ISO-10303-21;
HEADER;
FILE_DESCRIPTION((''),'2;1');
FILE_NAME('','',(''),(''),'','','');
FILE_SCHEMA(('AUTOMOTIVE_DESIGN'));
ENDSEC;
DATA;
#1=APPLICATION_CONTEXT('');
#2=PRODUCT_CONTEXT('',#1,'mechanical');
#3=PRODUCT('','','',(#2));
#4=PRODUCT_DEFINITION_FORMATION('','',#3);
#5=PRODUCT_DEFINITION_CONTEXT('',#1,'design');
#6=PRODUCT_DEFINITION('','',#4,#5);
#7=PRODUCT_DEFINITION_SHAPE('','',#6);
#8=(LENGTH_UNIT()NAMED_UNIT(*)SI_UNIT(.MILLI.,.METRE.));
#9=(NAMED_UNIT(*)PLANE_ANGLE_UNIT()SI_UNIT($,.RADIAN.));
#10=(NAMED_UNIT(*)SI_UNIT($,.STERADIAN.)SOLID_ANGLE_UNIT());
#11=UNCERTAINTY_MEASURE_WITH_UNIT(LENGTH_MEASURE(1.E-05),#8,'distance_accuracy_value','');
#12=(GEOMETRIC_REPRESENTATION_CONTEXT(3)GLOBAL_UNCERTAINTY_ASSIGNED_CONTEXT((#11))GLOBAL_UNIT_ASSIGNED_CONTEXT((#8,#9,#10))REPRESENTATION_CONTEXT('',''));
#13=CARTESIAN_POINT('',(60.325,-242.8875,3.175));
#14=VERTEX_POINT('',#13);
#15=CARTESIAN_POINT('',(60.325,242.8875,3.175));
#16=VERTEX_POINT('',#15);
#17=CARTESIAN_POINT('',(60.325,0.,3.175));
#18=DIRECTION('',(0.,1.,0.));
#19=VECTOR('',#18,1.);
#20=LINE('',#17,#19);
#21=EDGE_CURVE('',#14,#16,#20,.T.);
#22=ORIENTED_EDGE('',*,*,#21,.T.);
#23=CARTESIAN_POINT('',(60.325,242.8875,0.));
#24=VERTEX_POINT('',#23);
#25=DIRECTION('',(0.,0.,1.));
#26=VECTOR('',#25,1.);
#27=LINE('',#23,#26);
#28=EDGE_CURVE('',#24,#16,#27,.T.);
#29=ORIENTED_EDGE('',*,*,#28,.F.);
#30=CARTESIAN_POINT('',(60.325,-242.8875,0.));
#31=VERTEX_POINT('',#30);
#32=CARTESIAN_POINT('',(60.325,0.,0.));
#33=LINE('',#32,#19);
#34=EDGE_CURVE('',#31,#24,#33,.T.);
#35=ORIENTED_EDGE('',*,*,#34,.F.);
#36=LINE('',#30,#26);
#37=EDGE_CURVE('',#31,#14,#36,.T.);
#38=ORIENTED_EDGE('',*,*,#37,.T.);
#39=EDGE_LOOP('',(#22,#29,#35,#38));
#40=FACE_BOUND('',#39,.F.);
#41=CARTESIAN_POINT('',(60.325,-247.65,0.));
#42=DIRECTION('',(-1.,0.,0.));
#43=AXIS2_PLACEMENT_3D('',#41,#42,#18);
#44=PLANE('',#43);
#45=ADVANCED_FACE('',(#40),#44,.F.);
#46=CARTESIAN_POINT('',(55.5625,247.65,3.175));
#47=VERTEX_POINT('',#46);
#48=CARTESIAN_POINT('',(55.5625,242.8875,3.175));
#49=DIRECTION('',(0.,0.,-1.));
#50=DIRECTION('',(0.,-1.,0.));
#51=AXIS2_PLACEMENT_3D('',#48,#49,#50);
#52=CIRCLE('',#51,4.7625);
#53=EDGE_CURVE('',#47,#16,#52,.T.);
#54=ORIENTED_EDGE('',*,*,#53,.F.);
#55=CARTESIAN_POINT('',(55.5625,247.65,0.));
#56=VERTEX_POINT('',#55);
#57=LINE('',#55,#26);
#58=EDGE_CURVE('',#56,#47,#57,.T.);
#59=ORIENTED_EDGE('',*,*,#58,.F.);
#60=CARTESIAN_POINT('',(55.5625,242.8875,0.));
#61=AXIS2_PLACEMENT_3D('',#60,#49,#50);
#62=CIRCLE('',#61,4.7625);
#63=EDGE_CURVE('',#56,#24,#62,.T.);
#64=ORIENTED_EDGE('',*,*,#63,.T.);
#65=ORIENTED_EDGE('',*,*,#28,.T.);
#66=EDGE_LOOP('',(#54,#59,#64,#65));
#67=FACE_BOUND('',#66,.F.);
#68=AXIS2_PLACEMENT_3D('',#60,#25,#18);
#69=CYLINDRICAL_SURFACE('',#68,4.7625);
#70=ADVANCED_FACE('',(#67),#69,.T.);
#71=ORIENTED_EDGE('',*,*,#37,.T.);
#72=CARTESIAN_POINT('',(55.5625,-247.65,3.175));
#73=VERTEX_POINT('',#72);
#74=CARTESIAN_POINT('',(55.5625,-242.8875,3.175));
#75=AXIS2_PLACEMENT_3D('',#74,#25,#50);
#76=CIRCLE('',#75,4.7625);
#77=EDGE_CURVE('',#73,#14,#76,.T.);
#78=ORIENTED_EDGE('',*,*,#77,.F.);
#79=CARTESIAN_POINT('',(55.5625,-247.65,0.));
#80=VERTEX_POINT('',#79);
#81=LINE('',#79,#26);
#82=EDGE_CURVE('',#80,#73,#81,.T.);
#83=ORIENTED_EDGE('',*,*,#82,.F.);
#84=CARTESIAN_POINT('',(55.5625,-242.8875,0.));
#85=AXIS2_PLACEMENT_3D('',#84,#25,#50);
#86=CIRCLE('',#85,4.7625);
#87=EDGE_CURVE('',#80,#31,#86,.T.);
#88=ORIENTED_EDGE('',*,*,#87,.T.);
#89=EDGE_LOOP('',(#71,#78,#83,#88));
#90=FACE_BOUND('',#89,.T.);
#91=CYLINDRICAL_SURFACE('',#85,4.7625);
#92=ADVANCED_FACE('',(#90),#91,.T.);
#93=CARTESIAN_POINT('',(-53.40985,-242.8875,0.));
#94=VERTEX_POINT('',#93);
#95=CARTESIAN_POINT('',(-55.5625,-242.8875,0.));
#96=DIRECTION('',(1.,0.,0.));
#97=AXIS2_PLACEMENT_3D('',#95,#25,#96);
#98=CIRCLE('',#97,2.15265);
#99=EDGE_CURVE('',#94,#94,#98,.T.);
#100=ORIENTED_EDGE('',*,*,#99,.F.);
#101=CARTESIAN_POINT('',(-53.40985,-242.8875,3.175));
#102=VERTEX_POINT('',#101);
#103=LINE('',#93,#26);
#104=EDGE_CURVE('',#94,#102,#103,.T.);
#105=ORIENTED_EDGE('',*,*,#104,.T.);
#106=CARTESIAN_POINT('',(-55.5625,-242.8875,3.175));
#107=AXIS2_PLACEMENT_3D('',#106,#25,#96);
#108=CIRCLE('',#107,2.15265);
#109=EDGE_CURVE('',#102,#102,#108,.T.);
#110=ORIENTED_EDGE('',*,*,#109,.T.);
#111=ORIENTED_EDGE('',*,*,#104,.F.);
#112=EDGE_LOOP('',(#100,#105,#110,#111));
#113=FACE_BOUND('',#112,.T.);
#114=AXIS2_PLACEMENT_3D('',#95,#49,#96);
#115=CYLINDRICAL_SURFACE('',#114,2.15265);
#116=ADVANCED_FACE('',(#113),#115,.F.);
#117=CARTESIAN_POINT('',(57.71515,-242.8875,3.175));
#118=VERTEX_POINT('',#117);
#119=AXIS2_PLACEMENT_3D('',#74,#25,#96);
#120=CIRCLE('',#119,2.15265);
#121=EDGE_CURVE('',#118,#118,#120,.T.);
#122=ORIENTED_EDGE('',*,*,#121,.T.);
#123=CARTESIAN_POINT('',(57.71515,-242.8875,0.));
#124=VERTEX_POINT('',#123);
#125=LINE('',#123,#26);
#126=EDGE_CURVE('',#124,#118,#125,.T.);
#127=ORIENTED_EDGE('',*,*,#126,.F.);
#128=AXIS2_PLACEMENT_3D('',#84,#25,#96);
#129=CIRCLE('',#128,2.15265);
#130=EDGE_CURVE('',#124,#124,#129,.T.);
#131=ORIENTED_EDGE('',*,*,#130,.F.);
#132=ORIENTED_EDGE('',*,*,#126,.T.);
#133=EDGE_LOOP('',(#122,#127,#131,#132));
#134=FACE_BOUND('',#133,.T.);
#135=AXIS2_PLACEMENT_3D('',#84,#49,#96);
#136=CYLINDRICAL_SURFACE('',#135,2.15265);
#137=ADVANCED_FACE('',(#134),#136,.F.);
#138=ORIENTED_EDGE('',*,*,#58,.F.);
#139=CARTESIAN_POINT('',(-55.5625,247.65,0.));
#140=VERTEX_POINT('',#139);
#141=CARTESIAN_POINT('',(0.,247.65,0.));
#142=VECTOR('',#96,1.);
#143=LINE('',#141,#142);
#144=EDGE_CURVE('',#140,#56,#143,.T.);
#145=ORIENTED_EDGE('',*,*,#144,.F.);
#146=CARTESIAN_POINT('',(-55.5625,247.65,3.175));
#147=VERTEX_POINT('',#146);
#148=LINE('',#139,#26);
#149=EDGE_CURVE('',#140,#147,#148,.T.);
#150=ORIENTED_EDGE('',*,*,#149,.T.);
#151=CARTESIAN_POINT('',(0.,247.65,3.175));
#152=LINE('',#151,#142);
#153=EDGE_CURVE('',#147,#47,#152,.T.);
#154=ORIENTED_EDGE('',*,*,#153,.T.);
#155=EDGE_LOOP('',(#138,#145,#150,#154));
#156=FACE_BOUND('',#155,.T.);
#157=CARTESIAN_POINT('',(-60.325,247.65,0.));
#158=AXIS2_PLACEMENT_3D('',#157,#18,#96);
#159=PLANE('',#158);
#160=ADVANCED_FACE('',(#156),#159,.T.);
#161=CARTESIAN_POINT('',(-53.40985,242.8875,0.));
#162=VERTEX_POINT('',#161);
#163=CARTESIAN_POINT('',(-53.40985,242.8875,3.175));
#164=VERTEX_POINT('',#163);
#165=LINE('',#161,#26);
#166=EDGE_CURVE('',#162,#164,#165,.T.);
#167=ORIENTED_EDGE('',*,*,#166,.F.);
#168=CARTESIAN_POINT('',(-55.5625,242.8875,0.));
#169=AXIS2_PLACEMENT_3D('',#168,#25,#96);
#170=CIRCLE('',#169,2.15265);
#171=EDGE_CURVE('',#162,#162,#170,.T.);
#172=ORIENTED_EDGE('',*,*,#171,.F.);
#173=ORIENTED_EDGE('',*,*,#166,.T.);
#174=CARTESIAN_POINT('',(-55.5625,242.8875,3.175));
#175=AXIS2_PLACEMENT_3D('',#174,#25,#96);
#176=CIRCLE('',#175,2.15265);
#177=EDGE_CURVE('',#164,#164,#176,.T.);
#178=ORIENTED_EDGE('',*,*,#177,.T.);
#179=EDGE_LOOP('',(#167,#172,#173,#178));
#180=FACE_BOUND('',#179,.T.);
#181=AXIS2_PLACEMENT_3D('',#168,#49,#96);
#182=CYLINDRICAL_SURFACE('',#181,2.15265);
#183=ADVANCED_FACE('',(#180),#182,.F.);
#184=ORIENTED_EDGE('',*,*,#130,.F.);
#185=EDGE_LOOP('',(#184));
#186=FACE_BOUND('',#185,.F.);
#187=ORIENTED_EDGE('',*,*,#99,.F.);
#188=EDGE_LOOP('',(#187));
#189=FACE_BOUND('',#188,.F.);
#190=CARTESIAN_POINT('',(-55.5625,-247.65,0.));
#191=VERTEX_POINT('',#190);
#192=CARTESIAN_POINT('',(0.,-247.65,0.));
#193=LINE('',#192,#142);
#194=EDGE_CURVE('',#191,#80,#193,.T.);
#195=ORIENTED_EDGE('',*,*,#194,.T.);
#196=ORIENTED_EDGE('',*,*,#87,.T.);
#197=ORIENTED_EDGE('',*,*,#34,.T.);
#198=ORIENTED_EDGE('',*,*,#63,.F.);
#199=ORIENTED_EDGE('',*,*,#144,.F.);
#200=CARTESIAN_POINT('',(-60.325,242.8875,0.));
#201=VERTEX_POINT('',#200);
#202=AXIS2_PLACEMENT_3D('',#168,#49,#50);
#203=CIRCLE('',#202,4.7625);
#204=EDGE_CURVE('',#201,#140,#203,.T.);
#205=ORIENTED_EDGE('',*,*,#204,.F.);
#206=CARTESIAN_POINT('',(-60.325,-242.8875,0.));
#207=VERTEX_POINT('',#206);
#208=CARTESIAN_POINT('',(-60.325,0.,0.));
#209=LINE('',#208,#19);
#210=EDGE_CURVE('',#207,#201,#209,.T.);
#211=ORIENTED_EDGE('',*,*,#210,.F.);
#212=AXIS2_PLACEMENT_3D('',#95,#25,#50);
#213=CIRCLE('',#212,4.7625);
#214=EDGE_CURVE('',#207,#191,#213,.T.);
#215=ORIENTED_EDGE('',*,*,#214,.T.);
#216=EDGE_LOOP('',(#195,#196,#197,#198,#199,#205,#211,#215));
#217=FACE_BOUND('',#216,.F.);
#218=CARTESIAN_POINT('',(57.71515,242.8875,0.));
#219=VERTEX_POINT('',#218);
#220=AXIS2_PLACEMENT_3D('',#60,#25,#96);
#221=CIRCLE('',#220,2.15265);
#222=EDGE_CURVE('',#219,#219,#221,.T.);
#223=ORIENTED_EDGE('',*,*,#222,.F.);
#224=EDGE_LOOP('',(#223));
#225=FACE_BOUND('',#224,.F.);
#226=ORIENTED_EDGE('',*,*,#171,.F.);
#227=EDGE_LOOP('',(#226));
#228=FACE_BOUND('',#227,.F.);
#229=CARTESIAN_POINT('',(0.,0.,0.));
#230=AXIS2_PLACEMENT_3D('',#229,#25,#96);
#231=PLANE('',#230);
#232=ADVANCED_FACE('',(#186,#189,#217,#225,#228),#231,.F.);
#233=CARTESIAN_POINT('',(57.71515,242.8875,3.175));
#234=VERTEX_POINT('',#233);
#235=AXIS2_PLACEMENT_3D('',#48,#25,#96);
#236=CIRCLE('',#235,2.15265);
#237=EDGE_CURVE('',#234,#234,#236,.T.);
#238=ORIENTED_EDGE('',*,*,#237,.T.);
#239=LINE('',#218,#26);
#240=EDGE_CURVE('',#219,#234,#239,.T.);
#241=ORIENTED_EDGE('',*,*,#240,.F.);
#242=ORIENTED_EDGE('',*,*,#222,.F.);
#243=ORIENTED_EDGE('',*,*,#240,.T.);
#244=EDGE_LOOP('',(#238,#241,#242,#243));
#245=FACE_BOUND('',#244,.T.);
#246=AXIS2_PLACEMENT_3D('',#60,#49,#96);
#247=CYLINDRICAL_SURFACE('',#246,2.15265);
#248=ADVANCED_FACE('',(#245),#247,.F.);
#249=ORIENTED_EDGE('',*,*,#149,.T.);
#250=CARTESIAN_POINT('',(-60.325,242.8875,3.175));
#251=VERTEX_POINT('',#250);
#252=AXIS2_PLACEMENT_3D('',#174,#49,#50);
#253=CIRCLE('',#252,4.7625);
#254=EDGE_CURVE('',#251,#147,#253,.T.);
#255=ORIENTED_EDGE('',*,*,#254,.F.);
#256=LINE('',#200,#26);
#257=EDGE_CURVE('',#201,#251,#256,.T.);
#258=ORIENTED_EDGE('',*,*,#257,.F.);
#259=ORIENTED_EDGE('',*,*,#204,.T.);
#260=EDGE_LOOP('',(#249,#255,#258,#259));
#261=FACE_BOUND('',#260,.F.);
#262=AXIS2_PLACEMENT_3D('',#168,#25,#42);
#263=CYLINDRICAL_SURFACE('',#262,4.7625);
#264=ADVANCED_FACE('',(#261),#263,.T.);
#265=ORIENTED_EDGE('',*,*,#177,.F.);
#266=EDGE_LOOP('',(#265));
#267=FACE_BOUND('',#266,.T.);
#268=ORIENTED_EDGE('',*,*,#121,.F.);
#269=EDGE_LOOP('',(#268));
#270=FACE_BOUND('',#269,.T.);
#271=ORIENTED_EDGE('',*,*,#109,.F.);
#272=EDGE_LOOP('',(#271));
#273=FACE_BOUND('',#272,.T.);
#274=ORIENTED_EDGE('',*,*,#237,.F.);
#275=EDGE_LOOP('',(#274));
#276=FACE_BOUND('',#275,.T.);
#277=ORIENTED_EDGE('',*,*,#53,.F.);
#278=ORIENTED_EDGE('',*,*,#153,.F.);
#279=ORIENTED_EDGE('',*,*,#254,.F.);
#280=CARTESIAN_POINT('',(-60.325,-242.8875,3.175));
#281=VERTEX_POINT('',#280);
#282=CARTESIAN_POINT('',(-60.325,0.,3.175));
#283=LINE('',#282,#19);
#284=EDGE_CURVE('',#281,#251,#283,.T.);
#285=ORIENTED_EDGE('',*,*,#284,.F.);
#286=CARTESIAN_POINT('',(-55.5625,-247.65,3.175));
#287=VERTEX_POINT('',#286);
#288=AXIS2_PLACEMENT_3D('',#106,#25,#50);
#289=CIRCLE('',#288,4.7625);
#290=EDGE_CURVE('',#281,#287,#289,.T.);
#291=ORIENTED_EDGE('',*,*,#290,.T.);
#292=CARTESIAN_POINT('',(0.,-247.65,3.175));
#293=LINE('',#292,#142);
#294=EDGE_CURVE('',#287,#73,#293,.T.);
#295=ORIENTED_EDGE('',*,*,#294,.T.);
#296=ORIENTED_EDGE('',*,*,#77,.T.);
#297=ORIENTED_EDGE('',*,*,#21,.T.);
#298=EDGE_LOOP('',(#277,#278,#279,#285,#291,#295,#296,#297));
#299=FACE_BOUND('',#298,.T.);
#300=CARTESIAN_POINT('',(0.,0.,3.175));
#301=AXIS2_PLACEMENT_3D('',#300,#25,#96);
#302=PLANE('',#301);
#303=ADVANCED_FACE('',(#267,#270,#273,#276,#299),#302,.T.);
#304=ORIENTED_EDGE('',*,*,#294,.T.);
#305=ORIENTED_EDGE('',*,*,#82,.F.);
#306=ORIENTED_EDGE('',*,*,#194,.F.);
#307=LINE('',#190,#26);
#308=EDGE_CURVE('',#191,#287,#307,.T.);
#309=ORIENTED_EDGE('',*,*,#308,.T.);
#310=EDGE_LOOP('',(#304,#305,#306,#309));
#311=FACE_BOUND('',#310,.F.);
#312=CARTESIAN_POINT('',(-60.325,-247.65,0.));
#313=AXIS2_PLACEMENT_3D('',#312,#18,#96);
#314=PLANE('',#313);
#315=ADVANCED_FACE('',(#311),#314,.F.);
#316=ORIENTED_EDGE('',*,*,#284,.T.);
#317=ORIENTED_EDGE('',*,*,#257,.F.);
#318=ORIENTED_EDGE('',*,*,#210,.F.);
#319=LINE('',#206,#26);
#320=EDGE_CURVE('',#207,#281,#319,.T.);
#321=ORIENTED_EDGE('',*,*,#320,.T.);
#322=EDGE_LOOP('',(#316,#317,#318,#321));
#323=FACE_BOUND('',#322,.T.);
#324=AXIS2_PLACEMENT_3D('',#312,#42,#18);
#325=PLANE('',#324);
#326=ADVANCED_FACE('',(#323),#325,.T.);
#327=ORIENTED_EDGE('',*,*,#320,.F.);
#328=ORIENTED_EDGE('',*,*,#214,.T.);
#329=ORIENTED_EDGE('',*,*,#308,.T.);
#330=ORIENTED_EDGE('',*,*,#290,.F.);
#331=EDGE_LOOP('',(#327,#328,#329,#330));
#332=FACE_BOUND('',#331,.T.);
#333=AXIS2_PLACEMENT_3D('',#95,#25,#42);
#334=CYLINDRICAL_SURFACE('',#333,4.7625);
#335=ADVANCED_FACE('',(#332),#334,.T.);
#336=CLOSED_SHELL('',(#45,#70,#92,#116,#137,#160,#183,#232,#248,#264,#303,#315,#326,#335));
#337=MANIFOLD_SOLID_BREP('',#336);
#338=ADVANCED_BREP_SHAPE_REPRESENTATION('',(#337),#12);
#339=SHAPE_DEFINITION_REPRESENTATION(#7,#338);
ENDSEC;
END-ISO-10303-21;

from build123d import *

# Parameters (mm, degrees)
F0_W     = 120.65
F0_H     = 495.3
F0_R     = 2.15265
F1_DEPTH = 3.175
F2_R     = 4.7625


with BuildPart() as f1:
    # F0 (on Top) → F1 (new body)
    with BuildSketch(Plane.XY):
        Rectangle(F0_W, F0_H)
        with Locations((-55.5625, -242.8875)):
            Circle(F0_R, mode=Mode.SUBTRACT)
        with Locations((55.5625, -242.8875)):
            Circle(F0_R, mode=Mode.SUBTRACT)
        with Locations((-55.5625, 242.8875)):
            Circle(F0_R, mode=Mode.SUBTRACT)
        with Locations((55.5625, 242.8875)):
            Circle(F0_R, mode=Mode.SUBTRACT)
    extrude(amount=F1_DEPTH)

    # F2
    f2_edges = [f1.edges().sort_by_distance(p)[0] for p in [
        (-60.325, 247.65, 1.5875),
        (60.325, 247.65, 1.5875),
        (60.325, -247.65, 1.5875),
        (-60.325, -247.65, 1.5875),
    ]]
    fillet(f2_edges, radius=F2_R)


solid = f1.part
